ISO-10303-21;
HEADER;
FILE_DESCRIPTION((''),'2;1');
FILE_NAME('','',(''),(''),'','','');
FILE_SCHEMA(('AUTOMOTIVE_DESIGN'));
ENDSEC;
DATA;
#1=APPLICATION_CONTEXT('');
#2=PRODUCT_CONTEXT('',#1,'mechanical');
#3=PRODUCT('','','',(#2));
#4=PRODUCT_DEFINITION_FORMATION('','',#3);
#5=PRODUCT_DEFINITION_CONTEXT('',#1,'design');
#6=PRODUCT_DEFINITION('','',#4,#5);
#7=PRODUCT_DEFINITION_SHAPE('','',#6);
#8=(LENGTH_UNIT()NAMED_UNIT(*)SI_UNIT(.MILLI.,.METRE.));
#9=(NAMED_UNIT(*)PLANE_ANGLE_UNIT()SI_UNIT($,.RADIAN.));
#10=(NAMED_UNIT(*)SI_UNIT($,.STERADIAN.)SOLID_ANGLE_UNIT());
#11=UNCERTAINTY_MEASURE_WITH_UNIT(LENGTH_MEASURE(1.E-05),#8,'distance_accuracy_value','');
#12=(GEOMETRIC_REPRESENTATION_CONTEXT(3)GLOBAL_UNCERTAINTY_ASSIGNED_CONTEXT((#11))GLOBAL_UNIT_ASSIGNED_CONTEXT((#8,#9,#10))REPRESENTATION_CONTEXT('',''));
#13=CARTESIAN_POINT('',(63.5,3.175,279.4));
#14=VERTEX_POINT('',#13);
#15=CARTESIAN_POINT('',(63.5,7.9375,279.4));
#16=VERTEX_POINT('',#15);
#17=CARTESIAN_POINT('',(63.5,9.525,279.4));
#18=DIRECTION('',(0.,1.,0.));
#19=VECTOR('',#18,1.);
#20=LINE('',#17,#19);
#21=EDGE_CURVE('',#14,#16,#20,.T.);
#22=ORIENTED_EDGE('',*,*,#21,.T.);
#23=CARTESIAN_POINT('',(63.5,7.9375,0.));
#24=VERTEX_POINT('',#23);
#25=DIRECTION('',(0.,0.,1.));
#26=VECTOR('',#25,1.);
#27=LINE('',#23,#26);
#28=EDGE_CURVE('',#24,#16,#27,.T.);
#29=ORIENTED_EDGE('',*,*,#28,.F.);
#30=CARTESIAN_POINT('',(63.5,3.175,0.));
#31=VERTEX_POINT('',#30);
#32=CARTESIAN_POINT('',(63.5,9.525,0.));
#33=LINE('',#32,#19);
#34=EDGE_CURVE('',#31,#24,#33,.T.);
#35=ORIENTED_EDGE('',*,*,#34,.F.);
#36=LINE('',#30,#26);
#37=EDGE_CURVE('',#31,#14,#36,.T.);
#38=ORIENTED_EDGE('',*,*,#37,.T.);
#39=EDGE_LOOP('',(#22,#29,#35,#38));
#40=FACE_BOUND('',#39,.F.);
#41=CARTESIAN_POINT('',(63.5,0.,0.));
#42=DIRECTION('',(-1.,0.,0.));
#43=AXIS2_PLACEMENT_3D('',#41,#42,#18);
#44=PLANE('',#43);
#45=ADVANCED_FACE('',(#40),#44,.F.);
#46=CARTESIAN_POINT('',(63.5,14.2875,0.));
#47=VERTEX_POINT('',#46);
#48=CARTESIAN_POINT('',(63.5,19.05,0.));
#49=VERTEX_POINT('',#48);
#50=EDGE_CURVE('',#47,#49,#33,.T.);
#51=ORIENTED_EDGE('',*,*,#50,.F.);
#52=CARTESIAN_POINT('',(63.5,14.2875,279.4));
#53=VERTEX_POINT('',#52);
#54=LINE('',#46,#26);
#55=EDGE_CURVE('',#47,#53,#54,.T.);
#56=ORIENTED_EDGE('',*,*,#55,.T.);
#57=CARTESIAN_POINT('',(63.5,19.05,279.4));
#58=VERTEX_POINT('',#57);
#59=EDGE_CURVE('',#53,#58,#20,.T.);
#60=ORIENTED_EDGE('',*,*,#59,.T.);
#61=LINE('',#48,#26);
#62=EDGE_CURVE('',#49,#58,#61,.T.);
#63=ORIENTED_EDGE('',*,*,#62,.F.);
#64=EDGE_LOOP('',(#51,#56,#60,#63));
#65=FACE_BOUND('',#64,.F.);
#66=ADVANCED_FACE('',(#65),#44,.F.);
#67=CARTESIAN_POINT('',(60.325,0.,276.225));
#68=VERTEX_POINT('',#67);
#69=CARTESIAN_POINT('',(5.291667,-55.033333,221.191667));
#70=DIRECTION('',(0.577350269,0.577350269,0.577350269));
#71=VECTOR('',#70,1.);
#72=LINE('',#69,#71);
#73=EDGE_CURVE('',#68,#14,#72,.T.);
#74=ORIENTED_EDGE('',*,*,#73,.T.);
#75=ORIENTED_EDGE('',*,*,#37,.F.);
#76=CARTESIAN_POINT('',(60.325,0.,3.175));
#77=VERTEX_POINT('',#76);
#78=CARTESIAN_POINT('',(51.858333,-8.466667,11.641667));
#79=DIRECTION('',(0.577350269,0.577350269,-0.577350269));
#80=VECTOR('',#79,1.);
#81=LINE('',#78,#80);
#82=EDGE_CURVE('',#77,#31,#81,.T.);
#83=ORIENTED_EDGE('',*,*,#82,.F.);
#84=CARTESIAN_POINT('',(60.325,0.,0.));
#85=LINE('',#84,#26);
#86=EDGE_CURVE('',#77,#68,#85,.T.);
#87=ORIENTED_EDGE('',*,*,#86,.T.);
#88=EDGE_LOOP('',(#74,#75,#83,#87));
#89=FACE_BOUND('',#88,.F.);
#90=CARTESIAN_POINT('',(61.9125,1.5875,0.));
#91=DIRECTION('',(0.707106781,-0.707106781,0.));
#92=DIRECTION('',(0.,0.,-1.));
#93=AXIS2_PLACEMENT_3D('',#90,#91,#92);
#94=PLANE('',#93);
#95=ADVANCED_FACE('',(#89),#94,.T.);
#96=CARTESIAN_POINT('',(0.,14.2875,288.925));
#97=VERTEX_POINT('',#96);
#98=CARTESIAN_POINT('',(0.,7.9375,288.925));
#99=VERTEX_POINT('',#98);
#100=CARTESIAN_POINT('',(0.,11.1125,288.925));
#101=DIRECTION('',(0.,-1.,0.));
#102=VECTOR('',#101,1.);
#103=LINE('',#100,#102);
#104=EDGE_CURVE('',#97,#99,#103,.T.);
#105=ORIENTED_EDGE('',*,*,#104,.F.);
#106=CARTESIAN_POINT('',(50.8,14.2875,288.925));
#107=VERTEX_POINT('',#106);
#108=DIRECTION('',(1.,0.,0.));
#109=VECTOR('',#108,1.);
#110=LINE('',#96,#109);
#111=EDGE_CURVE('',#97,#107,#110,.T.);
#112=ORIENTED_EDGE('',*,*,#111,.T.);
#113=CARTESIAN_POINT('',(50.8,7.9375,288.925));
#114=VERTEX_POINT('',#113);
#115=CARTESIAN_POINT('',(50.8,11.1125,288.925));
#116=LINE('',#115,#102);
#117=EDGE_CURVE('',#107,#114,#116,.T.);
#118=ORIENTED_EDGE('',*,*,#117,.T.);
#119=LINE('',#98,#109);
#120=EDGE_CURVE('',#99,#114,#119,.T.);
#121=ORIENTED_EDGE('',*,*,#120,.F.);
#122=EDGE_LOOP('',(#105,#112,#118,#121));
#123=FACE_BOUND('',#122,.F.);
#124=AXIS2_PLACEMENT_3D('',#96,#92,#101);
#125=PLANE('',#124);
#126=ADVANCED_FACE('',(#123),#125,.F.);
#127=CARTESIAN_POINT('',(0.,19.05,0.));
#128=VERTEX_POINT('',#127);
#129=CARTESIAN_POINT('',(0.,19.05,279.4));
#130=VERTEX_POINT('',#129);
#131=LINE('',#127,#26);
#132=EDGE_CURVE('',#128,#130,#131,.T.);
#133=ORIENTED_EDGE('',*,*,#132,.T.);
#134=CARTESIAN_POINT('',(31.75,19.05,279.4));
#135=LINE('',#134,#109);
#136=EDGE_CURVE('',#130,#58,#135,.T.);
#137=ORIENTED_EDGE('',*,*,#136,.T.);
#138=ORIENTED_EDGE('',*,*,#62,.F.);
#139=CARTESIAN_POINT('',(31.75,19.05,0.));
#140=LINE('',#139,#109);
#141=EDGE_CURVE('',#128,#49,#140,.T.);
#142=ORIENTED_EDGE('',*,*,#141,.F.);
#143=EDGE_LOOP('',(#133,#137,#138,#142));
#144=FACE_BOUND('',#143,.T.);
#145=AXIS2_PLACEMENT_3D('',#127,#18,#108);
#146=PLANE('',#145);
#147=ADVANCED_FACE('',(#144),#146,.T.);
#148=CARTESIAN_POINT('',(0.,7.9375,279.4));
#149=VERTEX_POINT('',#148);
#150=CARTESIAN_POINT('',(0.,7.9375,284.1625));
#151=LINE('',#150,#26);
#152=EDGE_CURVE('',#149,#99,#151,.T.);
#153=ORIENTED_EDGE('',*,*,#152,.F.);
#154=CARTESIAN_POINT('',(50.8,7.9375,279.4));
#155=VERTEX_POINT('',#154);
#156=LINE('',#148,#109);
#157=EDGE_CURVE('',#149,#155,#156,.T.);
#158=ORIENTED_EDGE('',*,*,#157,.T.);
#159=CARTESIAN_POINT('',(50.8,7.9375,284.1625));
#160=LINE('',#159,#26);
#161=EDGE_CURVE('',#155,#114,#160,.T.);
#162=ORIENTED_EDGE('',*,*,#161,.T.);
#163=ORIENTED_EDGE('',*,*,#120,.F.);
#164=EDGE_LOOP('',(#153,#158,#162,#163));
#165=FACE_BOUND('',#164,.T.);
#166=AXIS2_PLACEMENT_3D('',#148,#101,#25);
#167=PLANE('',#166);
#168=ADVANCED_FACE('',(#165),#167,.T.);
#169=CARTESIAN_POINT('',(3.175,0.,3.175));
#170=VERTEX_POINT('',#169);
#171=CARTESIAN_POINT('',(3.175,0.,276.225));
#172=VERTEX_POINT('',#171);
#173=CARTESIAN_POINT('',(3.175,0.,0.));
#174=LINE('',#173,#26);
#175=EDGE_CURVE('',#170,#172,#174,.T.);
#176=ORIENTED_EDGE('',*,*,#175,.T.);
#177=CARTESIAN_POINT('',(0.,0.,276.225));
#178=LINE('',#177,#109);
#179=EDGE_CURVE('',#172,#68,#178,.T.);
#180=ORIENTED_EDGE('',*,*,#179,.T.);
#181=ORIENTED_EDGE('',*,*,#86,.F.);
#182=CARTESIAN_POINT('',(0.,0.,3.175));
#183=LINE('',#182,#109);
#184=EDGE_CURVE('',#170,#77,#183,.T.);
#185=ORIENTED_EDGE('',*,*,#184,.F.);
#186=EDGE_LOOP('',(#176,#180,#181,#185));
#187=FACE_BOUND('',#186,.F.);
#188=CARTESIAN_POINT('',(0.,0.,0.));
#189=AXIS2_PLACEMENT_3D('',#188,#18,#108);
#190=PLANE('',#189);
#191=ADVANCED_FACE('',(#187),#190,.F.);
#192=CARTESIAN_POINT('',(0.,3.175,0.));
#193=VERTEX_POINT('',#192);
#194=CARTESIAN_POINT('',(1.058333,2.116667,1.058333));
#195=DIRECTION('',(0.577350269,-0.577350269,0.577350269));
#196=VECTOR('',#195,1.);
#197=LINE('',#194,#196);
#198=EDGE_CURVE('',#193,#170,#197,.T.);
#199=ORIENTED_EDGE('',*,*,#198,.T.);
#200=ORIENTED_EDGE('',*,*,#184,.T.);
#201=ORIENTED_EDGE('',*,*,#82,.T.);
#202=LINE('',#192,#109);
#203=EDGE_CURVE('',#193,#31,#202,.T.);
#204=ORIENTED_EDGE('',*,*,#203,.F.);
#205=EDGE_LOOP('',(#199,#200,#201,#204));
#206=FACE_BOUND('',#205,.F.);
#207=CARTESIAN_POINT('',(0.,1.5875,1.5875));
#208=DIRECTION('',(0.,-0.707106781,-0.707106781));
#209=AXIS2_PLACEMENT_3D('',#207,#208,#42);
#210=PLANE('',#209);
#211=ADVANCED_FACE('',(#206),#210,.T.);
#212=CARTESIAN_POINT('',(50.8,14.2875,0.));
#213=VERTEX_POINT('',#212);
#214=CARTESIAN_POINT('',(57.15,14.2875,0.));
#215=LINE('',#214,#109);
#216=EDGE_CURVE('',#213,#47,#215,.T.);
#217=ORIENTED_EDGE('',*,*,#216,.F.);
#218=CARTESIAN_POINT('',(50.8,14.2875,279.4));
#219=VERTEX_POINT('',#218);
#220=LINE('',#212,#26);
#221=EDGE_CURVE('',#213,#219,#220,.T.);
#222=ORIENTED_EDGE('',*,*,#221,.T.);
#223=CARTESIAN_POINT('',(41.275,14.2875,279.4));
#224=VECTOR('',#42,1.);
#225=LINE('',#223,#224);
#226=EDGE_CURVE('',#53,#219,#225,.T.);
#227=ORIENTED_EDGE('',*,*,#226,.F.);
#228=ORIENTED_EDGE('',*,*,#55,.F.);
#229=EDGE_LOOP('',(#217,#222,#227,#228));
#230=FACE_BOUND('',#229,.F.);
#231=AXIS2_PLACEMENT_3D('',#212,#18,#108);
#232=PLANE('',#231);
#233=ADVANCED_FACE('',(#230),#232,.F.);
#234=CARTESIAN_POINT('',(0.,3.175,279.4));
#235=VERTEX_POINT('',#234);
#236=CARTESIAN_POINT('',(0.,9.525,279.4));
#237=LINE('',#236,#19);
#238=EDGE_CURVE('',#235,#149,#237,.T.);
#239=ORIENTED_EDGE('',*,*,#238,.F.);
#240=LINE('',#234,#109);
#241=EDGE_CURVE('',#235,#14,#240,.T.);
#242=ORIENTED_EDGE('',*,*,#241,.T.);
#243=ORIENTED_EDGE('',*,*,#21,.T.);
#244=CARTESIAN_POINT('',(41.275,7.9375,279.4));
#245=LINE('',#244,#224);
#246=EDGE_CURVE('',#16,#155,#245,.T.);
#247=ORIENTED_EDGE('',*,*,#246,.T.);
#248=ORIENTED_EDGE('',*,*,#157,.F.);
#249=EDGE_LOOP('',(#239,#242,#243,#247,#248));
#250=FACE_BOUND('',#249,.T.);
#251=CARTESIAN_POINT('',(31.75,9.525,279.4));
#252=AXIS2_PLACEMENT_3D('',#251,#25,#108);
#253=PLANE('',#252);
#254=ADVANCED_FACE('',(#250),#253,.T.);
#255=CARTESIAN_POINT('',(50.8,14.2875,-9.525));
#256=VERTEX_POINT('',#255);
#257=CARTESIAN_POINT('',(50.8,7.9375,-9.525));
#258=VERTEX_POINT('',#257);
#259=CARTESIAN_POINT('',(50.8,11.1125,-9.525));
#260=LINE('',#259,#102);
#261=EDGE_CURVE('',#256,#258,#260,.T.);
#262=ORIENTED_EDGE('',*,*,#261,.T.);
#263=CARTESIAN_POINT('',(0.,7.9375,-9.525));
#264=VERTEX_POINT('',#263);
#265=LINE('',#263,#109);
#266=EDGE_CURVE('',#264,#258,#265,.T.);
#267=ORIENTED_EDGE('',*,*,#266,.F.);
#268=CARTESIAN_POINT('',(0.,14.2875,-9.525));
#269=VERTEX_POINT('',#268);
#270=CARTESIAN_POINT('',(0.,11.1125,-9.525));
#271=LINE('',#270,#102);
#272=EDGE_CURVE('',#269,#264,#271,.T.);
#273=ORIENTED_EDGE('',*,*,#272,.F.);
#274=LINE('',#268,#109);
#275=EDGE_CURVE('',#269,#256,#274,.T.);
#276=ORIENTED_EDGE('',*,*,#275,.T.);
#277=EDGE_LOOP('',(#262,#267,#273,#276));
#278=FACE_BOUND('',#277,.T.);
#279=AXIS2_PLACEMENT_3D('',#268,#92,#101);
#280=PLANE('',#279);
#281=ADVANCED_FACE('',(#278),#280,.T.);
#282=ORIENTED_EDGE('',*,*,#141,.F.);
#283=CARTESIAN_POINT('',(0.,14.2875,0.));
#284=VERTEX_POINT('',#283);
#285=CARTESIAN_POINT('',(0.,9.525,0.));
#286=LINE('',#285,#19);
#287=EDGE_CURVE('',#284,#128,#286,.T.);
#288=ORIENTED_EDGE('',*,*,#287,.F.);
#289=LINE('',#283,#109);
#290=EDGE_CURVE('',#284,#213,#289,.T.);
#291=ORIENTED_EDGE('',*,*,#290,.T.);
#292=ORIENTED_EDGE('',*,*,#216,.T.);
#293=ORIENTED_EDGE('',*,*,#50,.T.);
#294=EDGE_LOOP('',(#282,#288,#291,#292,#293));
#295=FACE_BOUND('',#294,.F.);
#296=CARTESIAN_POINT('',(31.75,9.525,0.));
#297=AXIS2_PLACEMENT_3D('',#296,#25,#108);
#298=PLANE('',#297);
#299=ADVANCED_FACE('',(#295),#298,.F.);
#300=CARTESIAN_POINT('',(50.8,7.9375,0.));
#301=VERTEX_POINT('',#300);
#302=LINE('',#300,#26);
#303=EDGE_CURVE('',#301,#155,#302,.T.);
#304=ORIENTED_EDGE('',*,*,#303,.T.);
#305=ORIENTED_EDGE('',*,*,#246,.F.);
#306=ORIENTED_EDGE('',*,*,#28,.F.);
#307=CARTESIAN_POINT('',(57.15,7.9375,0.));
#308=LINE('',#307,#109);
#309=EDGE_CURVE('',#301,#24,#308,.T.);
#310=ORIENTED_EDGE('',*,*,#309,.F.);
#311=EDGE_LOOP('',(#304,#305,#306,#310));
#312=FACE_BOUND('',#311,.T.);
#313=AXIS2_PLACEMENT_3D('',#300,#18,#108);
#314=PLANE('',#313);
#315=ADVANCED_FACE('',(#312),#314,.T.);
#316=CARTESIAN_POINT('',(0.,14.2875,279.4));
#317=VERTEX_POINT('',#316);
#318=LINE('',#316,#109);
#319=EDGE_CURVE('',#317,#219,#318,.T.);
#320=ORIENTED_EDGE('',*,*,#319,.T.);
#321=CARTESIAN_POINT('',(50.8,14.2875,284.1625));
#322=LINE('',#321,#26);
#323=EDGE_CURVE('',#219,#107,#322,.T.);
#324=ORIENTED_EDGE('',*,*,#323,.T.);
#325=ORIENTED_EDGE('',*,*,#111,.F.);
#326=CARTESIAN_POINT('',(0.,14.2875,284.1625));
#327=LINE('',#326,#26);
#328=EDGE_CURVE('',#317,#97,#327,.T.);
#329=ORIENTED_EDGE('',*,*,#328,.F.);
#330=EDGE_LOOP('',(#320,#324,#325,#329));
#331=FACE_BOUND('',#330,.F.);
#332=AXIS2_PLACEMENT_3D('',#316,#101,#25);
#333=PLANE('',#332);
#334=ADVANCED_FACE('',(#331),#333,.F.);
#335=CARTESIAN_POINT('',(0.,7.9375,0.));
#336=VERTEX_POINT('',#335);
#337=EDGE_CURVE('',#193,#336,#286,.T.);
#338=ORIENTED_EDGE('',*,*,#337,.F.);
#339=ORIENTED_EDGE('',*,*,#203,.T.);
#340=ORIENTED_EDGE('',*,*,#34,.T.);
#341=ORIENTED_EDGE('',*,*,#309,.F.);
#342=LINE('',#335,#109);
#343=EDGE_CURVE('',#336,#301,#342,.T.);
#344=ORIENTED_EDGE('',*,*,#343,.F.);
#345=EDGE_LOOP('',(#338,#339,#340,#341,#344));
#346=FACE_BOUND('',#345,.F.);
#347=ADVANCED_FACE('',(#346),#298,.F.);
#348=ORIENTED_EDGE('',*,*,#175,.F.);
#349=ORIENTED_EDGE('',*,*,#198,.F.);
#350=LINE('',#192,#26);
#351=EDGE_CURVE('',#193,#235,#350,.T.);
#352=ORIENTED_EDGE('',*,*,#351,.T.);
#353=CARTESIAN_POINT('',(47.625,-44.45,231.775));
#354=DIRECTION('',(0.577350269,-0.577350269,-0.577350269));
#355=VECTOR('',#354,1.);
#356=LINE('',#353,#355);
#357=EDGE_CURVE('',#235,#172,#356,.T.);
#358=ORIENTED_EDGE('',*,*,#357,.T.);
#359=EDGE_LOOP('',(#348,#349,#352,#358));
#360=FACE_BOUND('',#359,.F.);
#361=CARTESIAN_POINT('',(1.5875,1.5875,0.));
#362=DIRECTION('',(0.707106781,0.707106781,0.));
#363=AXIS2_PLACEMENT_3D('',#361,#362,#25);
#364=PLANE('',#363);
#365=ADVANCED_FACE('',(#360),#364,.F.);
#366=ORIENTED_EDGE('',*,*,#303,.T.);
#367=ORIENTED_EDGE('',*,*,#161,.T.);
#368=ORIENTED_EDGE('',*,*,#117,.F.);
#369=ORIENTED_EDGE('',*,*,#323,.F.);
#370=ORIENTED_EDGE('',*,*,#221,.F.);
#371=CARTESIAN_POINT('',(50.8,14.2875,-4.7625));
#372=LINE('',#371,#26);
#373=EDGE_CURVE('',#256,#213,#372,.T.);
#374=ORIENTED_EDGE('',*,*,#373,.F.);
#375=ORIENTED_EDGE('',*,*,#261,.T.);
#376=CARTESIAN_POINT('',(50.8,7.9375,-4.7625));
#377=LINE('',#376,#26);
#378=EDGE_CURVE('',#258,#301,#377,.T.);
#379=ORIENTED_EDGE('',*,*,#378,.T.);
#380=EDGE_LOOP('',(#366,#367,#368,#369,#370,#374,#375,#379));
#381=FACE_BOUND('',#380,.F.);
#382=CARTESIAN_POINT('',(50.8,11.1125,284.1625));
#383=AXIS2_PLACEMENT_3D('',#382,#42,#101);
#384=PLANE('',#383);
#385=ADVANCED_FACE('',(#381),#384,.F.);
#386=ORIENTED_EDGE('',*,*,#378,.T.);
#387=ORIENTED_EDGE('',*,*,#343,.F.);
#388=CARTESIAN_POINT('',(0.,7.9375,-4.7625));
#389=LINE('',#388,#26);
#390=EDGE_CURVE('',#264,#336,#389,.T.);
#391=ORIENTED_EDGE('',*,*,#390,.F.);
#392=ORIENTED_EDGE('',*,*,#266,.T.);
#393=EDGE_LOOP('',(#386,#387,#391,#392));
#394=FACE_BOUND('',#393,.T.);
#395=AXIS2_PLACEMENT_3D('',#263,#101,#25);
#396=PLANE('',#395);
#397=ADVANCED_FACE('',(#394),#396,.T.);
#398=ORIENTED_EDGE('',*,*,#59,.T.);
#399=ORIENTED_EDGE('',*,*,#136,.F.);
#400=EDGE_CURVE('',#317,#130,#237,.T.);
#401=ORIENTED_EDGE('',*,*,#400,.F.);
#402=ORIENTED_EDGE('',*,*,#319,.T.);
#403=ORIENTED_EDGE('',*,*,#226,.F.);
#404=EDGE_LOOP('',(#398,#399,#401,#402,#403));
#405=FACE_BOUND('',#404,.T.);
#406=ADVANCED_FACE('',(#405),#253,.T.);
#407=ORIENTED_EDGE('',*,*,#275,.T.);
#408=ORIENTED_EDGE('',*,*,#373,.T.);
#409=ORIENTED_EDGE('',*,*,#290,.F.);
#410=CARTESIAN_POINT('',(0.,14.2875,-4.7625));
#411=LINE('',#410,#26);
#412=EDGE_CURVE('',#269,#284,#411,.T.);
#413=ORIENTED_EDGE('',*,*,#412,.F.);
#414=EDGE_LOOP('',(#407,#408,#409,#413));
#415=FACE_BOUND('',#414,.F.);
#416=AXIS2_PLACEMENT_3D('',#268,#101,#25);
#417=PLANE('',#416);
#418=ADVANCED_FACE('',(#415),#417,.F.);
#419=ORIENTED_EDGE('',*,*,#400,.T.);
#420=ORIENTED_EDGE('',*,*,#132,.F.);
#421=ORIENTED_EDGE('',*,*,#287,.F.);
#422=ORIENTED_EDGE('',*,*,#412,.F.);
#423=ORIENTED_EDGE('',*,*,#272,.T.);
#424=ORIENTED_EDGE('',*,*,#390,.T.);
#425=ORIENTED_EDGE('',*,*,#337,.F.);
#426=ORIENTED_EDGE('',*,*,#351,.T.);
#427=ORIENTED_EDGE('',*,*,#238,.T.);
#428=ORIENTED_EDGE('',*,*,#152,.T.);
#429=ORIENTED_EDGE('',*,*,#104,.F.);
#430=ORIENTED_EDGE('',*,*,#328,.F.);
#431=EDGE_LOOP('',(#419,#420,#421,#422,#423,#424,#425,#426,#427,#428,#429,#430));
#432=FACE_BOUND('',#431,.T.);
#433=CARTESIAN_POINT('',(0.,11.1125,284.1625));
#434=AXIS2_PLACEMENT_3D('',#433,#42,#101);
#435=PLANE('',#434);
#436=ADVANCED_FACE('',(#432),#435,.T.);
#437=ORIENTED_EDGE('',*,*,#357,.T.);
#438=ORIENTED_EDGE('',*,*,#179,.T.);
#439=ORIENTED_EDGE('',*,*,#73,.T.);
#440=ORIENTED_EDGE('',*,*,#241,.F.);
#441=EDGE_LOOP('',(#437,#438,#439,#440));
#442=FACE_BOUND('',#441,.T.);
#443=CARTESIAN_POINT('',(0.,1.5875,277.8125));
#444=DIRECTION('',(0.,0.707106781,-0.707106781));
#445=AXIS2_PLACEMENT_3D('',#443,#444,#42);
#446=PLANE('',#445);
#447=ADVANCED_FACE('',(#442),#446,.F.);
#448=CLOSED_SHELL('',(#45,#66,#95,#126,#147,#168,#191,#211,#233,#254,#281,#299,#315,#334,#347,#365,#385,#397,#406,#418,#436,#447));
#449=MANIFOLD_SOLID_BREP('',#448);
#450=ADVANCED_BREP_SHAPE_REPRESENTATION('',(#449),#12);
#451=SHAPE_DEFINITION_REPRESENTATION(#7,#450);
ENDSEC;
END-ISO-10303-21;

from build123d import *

# Parameters (mm, degrees)
F0_W     = 63.5
F0_H     = 19.05
F1_DEPTH = 279.4
F2_SIZE  = 3.175
F3_W     = 12.7
F3_H     = 6.35
F4_DEPTH = 279.401
F5_W     = 6.35
F5_H     = 9.525
F6_DEPTH = 50.8


with BuildPart() as f1:
    # F0 (on Top) → F1 (new body)
    with BuildSketch(Plane.XY):
        with Locations((31.75, 9.525)):
            Rectangle(F0_W, F0_H)
    extrude(amount=F1_DEPTH)

    # F2
    f2_edges = [f1.edges().sort_by_distance(p)[0] for p in [
        (0, 0, 139.7),
        (31.75, 0, 279.4),
        (63.5, 0, 139.7),
        (31.75, 0, 0),
    ]]
    chamfer(f2_edges, length=F2_SIZE)

    # F3 (on face) → F4 (cut, through all)
    with BuildSketch(Plane(origin=(0, 0, 0), x_dir=(1, 0, 0), z_dir=(0, 0, -1))):
        with Locations((57.15, -11.1125)):
            Rectangle(F3_W, F3_H)
    extrude(amount=-F4_DEPTH, mode=Mode.SUBTRACT)

    # F5 (on face) → F6 (join)
    with BuildSketch(Plane(origin=(0, 0, 0), x_dir=(0, -1, 0), z_dir=(-1, 0, 0))):
        with Locations((-11.1125, 284.1625)):
            Rectangle(F5_W, F5_H)
        with Locations((-11.1125, -4.7625)):
            Rectangle(F5_W, F5_H)
    extrude(amount=-F6_DEPTH)


solid = f1.part
